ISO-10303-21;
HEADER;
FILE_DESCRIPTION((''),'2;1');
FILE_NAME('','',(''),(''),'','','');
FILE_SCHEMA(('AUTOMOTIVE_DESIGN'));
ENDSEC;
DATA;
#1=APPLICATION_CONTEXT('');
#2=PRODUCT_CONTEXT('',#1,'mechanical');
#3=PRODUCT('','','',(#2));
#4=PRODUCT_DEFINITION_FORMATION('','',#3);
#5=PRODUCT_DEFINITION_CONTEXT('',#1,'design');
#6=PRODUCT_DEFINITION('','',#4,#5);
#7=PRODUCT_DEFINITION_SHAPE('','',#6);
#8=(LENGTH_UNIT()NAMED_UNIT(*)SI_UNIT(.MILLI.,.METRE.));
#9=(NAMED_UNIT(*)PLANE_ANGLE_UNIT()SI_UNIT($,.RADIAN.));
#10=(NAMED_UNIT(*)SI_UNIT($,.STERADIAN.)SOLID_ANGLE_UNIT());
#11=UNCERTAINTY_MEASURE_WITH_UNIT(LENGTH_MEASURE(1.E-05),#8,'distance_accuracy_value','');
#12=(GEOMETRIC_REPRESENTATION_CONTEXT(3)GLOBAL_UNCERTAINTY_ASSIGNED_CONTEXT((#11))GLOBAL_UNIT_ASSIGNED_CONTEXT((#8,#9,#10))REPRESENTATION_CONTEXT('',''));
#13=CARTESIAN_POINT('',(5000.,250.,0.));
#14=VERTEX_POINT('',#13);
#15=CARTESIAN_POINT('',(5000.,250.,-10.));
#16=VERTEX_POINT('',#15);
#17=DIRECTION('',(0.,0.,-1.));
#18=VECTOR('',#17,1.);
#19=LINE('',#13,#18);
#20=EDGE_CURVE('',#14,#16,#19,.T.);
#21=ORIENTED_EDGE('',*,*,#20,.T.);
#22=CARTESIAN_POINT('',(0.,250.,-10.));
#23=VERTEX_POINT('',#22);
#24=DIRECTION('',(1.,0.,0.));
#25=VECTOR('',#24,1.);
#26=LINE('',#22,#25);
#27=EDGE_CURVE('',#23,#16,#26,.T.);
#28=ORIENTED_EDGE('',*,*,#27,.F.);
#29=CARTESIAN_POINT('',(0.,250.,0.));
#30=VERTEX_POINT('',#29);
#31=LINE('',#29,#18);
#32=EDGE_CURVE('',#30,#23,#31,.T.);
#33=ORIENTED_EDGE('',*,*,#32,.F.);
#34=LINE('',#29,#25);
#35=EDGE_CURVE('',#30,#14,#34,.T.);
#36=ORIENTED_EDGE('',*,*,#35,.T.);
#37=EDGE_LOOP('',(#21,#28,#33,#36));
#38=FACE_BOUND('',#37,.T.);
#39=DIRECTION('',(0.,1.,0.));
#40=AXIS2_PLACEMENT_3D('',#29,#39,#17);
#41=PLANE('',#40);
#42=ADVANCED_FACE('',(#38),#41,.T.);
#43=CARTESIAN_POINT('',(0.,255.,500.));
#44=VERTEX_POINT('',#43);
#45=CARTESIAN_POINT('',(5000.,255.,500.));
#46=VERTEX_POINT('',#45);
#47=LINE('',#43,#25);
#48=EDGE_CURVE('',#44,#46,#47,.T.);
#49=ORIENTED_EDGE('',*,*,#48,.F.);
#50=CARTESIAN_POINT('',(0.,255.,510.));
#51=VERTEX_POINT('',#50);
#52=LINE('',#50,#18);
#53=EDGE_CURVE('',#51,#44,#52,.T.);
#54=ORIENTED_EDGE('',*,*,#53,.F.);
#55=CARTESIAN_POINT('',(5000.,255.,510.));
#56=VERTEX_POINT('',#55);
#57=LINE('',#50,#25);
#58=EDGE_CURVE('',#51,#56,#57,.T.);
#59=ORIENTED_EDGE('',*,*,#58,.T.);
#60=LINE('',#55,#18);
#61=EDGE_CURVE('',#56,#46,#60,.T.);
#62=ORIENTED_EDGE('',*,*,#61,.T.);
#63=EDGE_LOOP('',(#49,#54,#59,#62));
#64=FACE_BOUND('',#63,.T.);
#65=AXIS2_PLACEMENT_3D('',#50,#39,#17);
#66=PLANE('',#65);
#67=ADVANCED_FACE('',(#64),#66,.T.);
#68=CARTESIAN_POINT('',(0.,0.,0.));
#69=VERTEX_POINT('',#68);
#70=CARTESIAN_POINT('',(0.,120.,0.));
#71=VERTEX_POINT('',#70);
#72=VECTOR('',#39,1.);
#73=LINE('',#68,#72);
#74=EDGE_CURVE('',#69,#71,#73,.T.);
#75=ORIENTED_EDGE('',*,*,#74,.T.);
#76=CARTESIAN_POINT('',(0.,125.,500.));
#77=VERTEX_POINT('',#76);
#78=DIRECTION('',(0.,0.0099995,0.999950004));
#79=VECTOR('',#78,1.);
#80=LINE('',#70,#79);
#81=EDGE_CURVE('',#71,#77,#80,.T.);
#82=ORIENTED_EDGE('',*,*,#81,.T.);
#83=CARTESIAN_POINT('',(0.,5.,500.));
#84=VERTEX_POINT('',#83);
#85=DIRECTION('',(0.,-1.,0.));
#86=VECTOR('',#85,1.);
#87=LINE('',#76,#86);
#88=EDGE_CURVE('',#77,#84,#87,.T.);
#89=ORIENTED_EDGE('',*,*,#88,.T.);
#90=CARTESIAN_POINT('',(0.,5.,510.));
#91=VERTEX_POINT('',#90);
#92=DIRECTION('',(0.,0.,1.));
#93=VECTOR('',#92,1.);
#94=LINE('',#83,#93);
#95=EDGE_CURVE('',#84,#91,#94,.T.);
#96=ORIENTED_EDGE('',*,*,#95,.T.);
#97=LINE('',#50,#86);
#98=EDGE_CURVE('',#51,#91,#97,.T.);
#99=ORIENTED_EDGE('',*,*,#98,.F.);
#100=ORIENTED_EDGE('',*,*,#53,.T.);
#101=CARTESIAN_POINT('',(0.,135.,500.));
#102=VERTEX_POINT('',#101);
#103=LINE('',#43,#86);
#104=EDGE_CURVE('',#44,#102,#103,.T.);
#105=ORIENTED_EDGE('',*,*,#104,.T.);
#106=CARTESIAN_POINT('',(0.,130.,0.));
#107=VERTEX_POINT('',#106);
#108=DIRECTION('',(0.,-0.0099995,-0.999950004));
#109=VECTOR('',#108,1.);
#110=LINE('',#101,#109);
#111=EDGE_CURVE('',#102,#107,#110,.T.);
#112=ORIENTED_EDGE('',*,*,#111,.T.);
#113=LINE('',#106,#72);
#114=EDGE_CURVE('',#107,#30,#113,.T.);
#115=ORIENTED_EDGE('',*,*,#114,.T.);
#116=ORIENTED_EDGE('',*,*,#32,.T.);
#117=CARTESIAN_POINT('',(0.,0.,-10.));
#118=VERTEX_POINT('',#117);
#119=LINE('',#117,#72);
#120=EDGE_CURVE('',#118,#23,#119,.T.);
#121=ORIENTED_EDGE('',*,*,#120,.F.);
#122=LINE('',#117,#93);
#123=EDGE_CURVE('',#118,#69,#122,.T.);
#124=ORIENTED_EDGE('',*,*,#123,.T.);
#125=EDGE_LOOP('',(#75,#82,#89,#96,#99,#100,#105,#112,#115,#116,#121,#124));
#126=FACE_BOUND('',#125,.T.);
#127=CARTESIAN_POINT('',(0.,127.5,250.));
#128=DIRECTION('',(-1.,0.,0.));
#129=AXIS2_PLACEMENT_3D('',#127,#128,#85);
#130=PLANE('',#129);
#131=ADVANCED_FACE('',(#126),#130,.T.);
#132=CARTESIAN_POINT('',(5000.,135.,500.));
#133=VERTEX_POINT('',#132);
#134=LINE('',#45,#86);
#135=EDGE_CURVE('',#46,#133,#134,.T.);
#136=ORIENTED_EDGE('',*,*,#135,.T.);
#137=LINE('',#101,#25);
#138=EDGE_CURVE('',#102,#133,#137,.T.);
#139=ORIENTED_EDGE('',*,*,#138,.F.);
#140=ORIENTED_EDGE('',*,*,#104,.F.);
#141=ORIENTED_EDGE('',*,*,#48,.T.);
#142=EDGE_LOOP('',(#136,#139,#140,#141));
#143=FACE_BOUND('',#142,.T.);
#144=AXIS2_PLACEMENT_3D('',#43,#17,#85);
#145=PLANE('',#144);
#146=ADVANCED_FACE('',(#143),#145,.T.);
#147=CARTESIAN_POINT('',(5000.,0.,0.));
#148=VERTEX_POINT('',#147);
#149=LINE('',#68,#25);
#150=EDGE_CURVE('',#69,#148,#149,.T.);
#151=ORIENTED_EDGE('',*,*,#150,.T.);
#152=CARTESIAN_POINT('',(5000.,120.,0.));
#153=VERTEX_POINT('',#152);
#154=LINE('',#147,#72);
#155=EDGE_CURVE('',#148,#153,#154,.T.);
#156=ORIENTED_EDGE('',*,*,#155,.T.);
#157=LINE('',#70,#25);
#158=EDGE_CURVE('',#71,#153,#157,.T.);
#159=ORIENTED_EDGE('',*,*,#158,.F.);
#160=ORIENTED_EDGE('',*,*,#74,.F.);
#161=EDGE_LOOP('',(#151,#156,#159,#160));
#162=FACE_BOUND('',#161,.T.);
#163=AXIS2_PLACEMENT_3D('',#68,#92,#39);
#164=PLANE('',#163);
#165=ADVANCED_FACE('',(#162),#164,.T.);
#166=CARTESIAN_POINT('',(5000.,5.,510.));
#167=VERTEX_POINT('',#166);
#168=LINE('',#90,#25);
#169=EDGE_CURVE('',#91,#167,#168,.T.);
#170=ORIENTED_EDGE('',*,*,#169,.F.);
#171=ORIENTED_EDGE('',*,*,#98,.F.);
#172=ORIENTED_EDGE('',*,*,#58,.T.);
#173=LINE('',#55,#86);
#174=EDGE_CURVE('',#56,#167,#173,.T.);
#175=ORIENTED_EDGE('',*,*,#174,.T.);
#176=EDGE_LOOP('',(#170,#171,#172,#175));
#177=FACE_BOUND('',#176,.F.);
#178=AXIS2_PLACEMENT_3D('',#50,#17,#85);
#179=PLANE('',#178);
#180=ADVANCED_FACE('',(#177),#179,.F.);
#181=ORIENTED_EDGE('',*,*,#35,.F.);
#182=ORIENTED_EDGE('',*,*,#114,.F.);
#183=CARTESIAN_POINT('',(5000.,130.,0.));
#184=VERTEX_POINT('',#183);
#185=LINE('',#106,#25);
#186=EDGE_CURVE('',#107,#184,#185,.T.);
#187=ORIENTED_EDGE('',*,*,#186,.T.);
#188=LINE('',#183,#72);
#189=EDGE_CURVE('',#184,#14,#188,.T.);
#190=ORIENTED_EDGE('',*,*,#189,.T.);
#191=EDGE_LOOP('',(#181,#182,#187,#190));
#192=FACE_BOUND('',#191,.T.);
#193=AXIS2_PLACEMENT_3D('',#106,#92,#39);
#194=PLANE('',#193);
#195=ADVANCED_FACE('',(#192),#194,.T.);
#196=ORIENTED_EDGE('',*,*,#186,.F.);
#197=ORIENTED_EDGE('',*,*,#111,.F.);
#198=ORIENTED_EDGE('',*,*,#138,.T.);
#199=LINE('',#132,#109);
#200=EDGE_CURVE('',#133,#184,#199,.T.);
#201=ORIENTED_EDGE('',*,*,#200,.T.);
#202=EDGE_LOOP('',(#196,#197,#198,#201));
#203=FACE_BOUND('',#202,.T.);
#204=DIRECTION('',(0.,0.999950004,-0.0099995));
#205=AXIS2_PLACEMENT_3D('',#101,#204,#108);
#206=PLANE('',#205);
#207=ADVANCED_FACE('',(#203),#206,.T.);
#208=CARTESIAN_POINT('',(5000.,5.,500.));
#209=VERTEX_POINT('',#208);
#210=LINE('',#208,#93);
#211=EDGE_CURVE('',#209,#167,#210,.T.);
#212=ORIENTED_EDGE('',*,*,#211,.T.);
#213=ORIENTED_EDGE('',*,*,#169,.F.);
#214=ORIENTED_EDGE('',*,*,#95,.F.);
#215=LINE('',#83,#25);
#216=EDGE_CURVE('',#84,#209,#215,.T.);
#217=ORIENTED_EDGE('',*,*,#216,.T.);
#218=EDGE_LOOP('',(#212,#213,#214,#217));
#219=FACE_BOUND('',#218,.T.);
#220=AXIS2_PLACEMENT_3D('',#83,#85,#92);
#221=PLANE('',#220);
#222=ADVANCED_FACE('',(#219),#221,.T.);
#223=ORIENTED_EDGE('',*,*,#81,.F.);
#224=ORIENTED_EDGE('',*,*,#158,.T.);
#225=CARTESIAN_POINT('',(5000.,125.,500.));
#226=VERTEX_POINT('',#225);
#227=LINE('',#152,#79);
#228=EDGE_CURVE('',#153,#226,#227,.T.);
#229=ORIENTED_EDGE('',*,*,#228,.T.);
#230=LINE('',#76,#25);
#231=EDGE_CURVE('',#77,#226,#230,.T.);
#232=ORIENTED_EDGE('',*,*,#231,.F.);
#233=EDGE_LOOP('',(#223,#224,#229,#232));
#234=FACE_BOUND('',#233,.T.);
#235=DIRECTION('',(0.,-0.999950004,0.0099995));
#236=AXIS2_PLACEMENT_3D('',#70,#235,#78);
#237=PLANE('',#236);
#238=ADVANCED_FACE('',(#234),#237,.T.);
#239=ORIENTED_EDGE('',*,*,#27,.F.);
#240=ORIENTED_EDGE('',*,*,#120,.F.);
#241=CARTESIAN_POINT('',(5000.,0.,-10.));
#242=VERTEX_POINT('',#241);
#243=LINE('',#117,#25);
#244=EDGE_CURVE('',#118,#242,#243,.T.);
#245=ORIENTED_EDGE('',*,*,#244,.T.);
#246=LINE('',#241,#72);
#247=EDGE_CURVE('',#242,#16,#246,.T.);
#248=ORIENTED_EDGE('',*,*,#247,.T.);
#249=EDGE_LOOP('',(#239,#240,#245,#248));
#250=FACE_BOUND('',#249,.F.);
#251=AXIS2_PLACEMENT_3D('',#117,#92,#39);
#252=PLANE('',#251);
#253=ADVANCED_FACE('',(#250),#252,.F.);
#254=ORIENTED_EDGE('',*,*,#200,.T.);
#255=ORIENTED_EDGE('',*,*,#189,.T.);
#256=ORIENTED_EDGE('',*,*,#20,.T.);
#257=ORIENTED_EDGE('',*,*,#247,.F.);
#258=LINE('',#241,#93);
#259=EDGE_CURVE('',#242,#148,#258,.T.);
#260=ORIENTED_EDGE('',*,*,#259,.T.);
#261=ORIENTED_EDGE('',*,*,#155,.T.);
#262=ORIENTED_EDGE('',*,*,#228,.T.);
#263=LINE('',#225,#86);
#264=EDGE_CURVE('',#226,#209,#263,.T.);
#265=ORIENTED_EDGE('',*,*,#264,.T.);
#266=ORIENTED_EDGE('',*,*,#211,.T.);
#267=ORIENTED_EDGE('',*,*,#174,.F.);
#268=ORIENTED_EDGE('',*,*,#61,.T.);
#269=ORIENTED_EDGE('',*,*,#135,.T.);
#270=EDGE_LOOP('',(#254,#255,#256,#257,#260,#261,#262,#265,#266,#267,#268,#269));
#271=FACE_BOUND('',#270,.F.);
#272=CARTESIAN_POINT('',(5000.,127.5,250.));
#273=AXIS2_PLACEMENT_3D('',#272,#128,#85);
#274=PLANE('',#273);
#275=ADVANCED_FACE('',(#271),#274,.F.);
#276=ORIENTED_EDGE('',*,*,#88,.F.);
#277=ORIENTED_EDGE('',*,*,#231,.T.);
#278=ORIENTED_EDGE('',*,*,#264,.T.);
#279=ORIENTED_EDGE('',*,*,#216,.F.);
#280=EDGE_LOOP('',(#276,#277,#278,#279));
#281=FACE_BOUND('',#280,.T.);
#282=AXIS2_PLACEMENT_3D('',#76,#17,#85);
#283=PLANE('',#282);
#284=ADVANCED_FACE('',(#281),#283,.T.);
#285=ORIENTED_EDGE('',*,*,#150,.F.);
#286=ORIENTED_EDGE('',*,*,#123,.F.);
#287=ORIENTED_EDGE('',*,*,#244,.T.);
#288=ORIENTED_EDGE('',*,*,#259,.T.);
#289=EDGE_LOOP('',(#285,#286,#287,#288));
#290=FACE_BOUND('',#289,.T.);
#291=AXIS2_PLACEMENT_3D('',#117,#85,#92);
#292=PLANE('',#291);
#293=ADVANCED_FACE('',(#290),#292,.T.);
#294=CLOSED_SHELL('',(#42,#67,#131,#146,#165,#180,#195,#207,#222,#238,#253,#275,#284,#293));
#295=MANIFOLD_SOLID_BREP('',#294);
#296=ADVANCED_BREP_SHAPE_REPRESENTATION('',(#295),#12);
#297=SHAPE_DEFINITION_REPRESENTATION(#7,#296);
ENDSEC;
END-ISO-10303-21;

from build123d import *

# Parameters (mm, degrees)
EXTRUDE_DEPTH = 5000


with BuildPart() as part:
    # Sketch → Extrude (new body)
    with BuildSketch(Plane.YZ):
        Polygon((0, 0), (120, 0), (125, 500), (5, 500), (5, 510), (125, 510), (135, 510), (255, 510), (255, 500), (135, 500), (130, 0), (250, 0), (250, -10), (130, -10), (120, -10), (0, -10), align=None)
    extrude(amount=EXTRUDE_DEPTH)


solid = part.part
